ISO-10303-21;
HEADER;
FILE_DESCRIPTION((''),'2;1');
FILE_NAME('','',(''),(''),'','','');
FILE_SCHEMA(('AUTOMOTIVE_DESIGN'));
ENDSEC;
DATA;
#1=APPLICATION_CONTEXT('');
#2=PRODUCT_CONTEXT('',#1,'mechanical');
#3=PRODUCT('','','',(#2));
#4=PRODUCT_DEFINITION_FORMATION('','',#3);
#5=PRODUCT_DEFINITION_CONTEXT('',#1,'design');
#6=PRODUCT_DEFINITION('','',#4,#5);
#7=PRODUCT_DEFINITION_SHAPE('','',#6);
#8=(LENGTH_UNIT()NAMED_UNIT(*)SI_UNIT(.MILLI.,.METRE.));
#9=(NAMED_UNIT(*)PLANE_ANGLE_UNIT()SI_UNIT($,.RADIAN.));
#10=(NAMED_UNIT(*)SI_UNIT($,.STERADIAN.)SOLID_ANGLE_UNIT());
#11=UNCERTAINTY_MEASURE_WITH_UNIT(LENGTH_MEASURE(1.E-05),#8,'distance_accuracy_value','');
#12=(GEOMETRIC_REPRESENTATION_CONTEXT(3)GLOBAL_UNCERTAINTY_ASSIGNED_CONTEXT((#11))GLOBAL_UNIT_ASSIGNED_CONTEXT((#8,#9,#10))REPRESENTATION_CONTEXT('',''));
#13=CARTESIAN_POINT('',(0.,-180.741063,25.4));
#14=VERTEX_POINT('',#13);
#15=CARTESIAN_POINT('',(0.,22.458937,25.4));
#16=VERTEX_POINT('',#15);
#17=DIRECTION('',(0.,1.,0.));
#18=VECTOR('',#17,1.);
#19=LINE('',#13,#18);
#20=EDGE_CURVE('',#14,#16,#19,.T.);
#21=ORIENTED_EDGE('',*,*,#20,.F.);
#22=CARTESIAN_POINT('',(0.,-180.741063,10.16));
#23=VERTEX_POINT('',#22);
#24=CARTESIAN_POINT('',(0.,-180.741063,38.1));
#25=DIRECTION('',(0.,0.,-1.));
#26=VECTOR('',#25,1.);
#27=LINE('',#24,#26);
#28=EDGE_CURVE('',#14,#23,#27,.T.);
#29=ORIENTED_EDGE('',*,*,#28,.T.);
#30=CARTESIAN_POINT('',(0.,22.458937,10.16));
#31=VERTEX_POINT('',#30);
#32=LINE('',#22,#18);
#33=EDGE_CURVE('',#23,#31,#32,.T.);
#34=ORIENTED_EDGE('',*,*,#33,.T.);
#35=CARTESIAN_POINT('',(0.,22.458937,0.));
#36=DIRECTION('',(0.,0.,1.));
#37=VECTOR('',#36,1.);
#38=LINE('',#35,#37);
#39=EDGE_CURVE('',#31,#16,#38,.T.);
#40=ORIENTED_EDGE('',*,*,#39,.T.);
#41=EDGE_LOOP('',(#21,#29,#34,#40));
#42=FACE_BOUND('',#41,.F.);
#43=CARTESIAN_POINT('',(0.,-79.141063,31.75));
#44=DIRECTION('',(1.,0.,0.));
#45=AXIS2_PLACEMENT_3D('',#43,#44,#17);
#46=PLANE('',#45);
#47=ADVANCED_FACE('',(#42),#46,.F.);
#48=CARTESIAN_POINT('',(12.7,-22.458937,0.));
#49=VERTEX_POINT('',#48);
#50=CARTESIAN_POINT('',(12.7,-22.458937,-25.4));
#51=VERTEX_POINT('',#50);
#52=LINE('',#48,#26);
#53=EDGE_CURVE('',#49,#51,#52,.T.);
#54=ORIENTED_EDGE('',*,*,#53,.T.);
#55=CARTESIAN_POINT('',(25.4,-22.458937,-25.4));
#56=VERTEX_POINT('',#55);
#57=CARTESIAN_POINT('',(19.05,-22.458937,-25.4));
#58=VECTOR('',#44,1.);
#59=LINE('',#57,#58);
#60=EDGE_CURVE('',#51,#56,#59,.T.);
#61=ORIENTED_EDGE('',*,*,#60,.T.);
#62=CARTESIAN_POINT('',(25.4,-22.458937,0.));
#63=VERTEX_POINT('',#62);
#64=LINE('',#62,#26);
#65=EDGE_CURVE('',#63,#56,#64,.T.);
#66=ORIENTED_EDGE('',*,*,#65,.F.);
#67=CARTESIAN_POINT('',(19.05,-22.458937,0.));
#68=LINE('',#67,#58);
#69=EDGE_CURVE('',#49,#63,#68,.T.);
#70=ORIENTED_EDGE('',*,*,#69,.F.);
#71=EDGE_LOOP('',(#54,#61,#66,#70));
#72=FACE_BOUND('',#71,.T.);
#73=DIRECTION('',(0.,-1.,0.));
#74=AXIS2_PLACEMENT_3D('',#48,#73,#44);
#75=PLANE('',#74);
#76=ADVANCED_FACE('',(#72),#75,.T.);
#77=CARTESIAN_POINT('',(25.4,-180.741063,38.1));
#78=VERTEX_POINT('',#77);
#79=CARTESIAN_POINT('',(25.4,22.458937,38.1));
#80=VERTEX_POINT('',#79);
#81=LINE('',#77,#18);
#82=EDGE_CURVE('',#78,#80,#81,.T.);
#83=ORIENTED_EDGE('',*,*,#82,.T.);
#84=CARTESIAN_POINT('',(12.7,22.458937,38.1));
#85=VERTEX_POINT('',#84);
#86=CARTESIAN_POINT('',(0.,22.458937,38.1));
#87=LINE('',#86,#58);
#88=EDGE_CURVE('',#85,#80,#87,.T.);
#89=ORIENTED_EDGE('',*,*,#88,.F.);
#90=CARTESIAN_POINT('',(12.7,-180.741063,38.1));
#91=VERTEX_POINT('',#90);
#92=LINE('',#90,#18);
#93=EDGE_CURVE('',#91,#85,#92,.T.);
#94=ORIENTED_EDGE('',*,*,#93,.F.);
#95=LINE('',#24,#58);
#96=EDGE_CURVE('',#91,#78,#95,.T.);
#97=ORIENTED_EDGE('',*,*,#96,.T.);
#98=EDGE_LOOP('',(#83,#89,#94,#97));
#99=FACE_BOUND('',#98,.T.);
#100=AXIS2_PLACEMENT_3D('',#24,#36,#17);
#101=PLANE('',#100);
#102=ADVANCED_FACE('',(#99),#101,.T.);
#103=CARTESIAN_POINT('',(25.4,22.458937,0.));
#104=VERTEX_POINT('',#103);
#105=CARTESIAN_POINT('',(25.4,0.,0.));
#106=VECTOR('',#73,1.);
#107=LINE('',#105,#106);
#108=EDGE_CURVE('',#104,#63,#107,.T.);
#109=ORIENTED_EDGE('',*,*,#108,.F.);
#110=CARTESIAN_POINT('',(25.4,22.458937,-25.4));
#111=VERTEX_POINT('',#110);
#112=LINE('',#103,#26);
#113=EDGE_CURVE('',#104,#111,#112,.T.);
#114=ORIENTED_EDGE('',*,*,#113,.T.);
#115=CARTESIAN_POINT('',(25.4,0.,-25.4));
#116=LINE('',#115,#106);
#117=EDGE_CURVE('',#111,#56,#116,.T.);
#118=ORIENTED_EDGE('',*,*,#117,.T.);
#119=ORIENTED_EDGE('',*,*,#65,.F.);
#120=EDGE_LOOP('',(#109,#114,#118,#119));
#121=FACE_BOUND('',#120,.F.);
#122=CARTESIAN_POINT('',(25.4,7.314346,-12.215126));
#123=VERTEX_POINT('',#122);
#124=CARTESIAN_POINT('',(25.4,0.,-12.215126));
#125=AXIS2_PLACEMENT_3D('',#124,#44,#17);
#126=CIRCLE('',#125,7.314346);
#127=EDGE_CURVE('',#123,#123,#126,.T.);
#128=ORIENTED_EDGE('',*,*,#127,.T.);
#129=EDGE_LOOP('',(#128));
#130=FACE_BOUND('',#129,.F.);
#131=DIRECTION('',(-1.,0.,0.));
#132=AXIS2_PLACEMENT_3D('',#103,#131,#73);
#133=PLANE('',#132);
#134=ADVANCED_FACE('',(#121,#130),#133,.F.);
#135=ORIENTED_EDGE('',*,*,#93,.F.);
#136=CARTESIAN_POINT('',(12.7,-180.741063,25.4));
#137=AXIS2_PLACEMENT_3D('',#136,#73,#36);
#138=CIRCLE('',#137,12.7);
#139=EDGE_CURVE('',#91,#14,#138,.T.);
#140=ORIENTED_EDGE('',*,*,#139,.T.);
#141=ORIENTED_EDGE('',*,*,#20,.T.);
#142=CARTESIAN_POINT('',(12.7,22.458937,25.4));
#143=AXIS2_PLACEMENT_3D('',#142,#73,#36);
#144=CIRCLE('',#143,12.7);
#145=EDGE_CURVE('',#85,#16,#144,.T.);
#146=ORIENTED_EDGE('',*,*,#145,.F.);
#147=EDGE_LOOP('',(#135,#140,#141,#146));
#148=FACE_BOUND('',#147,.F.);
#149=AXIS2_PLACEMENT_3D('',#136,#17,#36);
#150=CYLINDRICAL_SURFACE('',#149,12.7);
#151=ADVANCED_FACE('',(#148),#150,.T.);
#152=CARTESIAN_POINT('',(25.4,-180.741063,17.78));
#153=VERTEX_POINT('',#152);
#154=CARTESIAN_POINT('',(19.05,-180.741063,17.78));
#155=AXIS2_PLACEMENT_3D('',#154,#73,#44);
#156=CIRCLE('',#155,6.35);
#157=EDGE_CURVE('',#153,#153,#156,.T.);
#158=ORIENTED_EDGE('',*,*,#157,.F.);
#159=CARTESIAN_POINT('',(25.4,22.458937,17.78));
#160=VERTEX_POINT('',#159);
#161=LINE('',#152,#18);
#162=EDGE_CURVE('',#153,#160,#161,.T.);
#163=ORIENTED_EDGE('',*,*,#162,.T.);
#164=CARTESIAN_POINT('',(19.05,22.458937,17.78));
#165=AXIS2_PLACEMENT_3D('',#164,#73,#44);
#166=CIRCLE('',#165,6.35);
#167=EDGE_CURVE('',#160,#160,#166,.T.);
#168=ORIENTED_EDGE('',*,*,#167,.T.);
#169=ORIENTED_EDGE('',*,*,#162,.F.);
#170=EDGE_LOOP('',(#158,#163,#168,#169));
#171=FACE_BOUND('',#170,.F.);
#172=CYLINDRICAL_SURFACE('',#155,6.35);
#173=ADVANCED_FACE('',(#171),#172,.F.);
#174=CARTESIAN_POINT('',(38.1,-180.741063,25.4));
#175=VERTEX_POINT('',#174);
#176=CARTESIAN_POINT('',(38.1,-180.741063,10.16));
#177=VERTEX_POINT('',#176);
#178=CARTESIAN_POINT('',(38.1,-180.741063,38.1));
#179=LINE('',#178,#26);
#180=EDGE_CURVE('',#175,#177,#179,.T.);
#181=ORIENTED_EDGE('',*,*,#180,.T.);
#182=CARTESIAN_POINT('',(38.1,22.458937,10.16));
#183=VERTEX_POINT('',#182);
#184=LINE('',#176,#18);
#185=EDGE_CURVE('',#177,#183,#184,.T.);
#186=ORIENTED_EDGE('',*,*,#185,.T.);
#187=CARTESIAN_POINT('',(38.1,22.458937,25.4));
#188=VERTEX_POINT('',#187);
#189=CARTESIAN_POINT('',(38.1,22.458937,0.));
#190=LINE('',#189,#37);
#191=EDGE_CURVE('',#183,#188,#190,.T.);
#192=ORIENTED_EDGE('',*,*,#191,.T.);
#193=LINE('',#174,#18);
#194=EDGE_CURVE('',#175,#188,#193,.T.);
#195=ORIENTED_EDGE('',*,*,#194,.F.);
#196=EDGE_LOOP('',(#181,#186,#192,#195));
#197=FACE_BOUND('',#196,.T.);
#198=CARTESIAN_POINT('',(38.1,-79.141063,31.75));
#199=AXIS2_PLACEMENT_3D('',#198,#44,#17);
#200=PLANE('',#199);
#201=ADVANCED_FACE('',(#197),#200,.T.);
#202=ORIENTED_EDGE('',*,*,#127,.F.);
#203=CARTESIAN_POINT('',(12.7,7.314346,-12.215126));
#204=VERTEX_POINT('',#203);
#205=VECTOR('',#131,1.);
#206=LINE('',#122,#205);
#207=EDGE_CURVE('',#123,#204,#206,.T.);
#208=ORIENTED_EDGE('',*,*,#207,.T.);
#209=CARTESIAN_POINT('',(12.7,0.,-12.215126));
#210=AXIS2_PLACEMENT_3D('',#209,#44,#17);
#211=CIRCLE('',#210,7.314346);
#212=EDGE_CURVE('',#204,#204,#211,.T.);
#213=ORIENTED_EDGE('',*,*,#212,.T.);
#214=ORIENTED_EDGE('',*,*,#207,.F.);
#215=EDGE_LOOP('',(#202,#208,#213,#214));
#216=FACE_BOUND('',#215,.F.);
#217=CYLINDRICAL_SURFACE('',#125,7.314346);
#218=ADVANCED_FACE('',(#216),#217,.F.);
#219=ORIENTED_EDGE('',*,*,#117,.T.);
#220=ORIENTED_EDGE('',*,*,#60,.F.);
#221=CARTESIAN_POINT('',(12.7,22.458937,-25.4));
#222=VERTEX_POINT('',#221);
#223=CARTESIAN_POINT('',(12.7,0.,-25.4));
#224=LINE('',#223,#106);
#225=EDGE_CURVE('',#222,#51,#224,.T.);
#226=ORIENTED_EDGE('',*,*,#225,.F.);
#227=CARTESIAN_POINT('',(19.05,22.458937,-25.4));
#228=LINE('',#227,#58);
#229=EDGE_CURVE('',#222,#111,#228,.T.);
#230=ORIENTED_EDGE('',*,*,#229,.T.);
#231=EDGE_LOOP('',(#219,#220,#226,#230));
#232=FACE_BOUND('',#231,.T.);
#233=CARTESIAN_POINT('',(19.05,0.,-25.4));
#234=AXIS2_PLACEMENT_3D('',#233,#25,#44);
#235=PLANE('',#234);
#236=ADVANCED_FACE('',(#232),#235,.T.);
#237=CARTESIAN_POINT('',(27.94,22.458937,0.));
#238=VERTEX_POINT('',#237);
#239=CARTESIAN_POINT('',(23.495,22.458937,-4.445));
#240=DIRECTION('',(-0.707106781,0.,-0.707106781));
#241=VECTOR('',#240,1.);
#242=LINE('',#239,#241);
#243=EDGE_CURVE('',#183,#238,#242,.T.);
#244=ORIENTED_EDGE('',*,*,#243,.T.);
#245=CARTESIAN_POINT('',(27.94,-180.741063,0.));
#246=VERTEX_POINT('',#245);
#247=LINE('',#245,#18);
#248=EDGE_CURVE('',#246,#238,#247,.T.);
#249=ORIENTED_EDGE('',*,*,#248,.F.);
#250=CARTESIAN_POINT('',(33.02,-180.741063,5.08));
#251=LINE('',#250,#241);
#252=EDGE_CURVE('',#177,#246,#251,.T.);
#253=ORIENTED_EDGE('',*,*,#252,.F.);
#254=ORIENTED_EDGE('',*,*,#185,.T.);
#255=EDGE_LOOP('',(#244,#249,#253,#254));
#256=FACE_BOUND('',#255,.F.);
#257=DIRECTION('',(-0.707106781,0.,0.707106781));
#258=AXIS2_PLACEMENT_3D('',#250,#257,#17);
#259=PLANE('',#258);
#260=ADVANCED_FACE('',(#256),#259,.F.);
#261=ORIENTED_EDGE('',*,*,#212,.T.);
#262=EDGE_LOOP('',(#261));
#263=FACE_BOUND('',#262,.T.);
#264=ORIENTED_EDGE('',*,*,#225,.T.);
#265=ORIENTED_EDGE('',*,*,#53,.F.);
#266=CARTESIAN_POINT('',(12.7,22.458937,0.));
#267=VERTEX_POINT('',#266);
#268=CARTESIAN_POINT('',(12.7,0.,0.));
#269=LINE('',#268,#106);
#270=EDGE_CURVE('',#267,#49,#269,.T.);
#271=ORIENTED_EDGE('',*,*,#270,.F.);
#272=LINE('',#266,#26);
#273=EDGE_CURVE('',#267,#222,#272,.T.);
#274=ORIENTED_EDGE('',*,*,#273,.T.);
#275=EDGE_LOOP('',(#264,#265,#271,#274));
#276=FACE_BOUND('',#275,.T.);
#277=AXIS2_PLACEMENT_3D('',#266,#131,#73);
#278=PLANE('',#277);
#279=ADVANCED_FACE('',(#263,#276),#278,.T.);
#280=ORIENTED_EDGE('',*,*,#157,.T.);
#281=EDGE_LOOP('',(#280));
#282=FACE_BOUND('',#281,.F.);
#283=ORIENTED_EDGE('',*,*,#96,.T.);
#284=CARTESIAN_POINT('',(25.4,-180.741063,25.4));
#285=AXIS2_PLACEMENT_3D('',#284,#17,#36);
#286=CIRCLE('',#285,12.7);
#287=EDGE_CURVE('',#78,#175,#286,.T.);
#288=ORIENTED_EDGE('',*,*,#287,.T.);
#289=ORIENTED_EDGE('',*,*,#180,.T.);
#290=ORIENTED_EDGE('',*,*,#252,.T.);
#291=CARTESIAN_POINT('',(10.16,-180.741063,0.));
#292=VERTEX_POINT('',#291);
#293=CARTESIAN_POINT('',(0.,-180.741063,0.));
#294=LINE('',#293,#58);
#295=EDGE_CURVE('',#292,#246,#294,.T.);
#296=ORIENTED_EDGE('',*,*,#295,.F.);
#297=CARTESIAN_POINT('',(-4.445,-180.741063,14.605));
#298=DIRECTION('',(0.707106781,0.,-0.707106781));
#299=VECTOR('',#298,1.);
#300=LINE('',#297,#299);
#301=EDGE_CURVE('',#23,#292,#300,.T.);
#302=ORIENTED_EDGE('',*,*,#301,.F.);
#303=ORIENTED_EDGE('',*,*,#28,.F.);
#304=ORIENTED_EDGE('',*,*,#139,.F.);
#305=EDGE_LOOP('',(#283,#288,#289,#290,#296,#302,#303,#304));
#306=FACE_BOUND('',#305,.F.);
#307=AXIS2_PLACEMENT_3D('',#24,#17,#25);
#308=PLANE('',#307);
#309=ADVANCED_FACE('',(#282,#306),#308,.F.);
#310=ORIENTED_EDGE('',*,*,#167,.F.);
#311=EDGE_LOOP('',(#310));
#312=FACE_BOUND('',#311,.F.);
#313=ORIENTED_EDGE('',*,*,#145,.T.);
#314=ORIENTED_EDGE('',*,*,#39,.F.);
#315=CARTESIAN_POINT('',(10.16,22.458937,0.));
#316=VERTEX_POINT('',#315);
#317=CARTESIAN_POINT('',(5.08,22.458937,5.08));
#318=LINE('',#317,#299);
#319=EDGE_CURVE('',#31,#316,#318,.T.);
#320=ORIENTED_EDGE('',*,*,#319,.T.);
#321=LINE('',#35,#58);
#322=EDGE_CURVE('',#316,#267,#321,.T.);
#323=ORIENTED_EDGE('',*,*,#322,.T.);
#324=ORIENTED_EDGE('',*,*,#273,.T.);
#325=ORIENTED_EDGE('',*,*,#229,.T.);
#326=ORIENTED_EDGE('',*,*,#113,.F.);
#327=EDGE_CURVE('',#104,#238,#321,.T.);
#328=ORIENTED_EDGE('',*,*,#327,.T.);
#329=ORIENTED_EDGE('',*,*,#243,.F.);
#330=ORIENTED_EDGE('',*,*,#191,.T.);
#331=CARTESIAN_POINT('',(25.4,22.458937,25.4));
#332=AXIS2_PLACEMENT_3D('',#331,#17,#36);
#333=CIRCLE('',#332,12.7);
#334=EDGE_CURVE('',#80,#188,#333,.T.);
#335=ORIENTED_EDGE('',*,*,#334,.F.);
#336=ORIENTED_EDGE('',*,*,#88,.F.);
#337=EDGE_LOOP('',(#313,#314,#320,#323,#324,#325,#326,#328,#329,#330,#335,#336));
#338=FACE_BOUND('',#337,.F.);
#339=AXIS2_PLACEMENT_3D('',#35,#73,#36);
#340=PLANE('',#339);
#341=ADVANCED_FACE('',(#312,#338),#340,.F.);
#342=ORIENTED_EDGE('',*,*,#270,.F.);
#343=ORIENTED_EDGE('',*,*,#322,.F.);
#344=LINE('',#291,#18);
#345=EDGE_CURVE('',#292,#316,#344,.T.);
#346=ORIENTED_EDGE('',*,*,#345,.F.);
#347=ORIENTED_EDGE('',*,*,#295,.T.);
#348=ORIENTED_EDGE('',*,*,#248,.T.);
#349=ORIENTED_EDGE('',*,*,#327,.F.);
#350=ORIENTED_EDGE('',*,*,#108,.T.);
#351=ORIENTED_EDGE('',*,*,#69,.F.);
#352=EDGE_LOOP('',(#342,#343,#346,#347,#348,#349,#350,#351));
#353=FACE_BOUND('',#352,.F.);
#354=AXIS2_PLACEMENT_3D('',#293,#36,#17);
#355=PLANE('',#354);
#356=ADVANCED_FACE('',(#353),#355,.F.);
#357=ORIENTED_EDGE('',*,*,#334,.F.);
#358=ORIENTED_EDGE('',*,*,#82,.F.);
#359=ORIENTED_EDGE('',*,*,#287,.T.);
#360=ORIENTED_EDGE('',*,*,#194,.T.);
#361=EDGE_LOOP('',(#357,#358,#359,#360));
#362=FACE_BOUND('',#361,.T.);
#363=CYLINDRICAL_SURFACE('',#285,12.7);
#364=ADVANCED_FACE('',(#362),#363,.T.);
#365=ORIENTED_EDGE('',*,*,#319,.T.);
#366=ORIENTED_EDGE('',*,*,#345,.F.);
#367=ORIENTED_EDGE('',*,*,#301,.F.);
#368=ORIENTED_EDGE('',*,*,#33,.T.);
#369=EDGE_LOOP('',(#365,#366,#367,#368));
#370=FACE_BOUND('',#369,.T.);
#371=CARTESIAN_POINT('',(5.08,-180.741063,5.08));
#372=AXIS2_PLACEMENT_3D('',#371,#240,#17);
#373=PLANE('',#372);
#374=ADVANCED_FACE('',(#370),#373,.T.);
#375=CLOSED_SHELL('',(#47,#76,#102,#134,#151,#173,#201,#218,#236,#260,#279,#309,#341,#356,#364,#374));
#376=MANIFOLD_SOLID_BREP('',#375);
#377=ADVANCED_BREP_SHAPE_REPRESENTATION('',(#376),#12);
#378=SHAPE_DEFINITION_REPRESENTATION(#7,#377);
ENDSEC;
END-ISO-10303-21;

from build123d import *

# Parameters (mm, degrees)
F0_W     = 203.2
F0_H     = 12.7
F1_DEPTH = 38.1
F2_W     = 12.7
F2_H     = 44.917874
F3_DEPTH = 25.4
F4_R     = 12.7
F5_SIZE  = 10.16
F6_R     = 6.35
F7_DEPTH = 228.6
F8_R     = 7.314346
F9_DEPTH = 25.4


with BuildPart() as f1:
    # F0 (on Right) → F1 (new body)
    with BuildSketch(Plane.YZ):
        with Locations((-79.141063, 31.75)):
            Rectangle(F0_W, F0_H)
        with Locations((-79.141063, 19.05)):
            Rectangle(F0_W, F0_H)
        with Locations((-79.141063, 6.35)):
            Rectangle(F0_W, F0_H)
    extrude(amount=F1_DEPTH)

    # F2 (on face) → F3 (join)
    with BuildSketch(Plane(origin=(0, 0, 0), x_dir=(1, 0, 0), z_dir=(0, 0, -1))):
        with Locations((19.05, 0)):
            Rectangle(F2_W, F2_H)
    extrude(amount=F3_DEPTH)

    # F4
    f4_edges = [f1.edges().sort_by_distance(p)[0] for p in [
        (38.1, -79.141063, 38.1),
        (0, -79.141063, 38.1),
    ]]
    fillet(f4_edges, radius=F4_R)

    # F5
    f5_edges = [f1.edges().sort_by_distance(p)[0] for p in [
        (38.1, -79.141063, 0),
        (0, -79.141063, 0),
    ]]
    chamfer(f5_edges, length=F5_SIZE)

    # F6 (on face) → F7 (cut)
    with BuildSketch(Plane.XZ.offset(180.741063)):
        with Locations((19.05, 17.78)):
            Circle(F6_R)
    extrude(amount=-F7_DEPTH, mode=Mode.SUBTRACT)

    # F8 (on face) → F9 (cut)
    with BuildSketch(Plane.YZ.offset(25.4)):
        with Locations((0, -12.215126)):
            Circle(F8_R)
    extrude(amount=-F9_DEPTH, mode=Mode.SUBTRACT)


solid = f1.part
